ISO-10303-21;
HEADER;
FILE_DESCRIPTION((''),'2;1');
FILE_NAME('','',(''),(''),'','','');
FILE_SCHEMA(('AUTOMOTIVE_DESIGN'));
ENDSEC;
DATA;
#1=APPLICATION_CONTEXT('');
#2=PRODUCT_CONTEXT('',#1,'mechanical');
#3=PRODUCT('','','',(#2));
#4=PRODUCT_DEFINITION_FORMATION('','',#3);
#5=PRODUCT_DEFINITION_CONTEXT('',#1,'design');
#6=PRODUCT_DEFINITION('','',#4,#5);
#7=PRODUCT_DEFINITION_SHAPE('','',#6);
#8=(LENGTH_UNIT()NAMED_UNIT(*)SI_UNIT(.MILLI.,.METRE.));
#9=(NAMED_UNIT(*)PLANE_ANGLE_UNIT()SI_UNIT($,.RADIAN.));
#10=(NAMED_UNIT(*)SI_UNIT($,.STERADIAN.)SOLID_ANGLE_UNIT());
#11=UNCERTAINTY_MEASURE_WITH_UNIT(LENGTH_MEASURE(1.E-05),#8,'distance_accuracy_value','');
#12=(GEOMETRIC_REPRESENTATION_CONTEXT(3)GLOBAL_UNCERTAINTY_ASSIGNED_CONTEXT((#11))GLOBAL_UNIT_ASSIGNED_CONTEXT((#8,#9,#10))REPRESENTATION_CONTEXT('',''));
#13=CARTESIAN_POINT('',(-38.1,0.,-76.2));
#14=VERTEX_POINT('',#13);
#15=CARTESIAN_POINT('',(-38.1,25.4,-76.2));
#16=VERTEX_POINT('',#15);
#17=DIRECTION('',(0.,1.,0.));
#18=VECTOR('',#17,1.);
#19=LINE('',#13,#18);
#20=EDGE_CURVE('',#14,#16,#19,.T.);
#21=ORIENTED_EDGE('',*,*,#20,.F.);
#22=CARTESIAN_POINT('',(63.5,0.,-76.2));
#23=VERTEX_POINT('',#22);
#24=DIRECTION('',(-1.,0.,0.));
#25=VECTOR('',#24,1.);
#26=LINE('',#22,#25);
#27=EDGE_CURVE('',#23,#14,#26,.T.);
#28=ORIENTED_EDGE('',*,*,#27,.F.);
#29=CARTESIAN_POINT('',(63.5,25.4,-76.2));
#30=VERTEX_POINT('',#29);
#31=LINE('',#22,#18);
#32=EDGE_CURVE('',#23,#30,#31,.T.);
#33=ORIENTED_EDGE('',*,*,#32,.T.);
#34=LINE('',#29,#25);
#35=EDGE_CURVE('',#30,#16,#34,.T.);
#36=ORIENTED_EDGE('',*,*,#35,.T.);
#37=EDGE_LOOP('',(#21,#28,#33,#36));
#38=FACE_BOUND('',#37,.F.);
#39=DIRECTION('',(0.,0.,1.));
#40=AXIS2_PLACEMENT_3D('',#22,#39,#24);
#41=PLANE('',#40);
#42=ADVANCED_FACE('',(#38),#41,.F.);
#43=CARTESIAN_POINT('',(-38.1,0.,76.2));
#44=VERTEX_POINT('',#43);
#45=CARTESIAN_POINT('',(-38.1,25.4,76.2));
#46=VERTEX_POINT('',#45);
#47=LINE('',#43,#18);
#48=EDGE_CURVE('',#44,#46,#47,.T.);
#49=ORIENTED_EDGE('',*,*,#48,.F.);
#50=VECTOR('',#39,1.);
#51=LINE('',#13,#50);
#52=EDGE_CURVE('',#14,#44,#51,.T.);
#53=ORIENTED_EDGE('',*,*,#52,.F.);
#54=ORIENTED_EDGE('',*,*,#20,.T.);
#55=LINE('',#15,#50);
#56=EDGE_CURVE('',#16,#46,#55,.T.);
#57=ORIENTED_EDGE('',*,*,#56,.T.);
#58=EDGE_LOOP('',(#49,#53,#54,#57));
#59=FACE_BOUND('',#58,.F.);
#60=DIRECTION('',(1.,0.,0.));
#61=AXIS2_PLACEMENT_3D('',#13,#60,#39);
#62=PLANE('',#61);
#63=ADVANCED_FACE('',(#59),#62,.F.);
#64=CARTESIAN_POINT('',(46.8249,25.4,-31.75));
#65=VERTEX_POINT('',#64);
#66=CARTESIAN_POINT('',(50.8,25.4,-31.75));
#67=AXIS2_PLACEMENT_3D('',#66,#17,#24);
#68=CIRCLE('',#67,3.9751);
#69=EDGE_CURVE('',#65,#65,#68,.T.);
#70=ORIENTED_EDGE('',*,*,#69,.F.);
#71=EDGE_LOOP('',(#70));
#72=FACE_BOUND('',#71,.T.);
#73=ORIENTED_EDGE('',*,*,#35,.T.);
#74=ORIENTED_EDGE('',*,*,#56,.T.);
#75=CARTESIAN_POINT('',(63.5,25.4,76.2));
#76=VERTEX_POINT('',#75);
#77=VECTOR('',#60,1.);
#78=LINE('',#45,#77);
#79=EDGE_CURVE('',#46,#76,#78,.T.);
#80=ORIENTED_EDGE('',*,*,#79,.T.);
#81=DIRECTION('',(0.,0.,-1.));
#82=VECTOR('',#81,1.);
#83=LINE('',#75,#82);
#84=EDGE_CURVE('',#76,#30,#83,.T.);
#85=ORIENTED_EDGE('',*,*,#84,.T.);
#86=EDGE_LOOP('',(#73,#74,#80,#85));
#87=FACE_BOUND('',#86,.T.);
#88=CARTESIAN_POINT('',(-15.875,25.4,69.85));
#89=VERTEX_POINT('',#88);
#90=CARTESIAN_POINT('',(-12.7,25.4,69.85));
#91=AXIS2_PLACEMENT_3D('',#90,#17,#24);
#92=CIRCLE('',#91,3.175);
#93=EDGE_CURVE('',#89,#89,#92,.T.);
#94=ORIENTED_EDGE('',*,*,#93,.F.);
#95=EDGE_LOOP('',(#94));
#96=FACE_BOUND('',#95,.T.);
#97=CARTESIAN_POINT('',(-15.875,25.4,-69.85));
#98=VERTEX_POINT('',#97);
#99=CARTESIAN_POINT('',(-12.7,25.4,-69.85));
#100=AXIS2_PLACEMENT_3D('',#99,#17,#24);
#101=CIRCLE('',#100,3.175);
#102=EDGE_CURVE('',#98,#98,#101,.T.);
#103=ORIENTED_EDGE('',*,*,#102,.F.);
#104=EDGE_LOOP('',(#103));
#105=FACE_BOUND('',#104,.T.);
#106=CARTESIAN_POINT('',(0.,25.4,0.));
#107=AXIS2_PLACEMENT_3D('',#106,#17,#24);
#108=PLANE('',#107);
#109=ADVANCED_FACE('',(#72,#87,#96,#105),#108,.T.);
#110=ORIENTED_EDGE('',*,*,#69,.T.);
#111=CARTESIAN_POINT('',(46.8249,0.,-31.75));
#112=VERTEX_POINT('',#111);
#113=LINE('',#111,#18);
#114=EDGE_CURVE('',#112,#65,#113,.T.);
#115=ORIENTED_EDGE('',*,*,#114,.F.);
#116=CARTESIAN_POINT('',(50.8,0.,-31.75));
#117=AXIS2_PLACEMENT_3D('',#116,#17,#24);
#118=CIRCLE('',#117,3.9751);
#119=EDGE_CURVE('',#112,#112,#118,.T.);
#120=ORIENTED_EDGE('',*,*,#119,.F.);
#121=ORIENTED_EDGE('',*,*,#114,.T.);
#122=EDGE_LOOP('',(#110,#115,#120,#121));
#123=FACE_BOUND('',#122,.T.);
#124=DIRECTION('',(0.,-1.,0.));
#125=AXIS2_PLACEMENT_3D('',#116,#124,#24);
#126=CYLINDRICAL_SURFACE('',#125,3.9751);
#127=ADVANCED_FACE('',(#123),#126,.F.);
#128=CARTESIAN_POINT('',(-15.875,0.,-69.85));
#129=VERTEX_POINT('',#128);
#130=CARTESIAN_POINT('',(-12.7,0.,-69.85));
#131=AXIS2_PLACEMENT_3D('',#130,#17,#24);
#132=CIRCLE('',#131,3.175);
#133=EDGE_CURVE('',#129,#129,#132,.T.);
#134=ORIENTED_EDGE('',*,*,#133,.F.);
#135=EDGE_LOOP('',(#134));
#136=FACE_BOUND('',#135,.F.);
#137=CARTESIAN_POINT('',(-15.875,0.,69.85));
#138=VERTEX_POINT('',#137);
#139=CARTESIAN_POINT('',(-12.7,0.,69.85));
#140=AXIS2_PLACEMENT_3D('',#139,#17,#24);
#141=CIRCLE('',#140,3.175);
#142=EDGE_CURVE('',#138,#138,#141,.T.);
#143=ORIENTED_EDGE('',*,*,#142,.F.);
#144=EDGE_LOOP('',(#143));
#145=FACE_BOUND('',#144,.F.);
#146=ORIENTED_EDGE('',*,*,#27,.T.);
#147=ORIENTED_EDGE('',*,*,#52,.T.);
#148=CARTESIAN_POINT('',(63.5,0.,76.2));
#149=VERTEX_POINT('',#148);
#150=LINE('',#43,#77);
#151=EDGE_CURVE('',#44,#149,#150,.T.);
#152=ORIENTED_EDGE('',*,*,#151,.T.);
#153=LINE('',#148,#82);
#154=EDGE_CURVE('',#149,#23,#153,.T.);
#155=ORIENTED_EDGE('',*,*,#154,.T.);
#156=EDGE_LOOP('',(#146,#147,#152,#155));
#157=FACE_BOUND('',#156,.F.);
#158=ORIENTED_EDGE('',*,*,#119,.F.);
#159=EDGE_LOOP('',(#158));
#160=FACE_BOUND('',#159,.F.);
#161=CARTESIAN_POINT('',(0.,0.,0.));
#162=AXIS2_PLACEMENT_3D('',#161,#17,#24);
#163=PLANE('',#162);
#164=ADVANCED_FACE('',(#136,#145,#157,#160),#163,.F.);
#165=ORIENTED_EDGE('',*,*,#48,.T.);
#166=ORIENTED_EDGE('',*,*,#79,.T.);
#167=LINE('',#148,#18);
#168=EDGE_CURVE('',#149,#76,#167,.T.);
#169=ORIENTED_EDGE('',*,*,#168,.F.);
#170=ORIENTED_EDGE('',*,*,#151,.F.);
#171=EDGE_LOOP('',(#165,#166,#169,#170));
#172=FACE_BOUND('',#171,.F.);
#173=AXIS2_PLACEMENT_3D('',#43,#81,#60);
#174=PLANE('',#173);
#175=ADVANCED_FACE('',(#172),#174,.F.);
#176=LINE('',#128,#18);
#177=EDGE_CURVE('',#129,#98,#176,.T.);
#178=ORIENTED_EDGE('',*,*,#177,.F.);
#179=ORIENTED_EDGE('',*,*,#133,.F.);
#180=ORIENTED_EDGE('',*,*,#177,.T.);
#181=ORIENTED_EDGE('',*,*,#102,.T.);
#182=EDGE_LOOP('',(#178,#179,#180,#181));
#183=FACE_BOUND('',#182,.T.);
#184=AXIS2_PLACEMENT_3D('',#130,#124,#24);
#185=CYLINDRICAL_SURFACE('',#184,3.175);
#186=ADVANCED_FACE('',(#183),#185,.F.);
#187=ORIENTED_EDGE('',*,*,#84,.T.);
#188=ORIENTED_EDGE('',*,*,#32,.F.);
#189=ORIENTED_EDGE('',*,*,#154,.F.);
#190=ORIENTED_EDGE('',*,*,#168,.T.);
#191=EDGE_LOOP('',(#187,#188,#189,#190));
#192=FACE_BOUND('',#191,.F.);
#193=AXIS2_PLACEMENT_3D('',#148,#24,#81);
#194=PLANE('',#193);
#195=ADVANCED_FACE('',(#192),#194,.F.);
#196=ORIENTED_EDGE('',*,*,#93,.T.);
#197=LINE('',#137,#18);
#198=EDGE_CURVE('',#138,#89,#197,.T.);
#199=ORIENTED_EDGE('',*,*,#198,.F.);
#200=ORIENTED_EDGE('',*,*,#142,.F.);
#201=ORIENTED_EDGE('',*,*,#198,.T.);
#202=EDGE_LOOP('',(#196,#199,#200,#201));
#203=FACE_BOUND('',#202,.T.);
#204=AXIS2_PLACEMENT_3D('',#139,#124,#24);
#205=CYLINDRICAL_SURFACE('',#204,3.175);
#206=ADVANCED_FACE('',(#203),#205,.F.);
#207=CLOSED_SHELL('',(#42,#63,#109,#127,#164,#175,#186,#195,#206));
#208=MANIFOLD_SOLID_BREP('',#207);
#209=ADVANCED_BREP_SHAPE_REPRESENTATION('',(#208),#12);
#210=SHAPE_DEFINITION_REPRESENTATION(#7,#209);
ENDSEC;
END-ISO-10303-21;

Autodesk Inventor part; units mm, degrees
ref_plane "YZ Plane" through (0, 0, 0) normal (1, 0, 0) x (0, 1, 0)
ref_plane "XZ Plane" through (0, 0, 0) normal (0, 1, 0) x (-1, 0, 0)
ref_plane "XY Plane" through (0, 0, 0) normal (0, 0, 1) x (1, 0, 0)
sketch "Sketch1" plane through (0, 0, 0) normal (0, 1, 0) x (-1, 0, 0)
  line L0 (38.1, 76.2) -> (-63.5, 76.2)
  line L1 (-63.5, 76.2) -> (-63.5, -76.2)
  line L2 (-63.5, -76.2) -> (38.1, -76.2)
  line L3 (38.1, -76.2) -> (38.1, 76.2)
  circle A0 centre (-50.8, -31.75) radius 3.9751
  circle A1 centre (12.7, 69.85) radius 3.175
  circle A2 centre (12.7, -69.85) radius 3.175
  point P0 (0, 0)
  point P1 (38.1, 0)
  dimension "d0" = 152.4
  dimension "d1" = 101.6
  dimension "d2" = 38.1
  dimension "d6" = 7.9502
  dimension "d7" = 6.35
  dimension "d8" = 6.35
  dimension "d9" = 25.4
  dimension "d10" = 6.35
  dimension "d11" = 6.35
  dimension "d12" = 25.4
  dimension "d14" = 107.95
  dimension "d15" = 88.9
extrude "Extrusion1" add sketch "Sketch1" along normal blind 25.4
properties part number "Top Plate for Side to Side motion"
